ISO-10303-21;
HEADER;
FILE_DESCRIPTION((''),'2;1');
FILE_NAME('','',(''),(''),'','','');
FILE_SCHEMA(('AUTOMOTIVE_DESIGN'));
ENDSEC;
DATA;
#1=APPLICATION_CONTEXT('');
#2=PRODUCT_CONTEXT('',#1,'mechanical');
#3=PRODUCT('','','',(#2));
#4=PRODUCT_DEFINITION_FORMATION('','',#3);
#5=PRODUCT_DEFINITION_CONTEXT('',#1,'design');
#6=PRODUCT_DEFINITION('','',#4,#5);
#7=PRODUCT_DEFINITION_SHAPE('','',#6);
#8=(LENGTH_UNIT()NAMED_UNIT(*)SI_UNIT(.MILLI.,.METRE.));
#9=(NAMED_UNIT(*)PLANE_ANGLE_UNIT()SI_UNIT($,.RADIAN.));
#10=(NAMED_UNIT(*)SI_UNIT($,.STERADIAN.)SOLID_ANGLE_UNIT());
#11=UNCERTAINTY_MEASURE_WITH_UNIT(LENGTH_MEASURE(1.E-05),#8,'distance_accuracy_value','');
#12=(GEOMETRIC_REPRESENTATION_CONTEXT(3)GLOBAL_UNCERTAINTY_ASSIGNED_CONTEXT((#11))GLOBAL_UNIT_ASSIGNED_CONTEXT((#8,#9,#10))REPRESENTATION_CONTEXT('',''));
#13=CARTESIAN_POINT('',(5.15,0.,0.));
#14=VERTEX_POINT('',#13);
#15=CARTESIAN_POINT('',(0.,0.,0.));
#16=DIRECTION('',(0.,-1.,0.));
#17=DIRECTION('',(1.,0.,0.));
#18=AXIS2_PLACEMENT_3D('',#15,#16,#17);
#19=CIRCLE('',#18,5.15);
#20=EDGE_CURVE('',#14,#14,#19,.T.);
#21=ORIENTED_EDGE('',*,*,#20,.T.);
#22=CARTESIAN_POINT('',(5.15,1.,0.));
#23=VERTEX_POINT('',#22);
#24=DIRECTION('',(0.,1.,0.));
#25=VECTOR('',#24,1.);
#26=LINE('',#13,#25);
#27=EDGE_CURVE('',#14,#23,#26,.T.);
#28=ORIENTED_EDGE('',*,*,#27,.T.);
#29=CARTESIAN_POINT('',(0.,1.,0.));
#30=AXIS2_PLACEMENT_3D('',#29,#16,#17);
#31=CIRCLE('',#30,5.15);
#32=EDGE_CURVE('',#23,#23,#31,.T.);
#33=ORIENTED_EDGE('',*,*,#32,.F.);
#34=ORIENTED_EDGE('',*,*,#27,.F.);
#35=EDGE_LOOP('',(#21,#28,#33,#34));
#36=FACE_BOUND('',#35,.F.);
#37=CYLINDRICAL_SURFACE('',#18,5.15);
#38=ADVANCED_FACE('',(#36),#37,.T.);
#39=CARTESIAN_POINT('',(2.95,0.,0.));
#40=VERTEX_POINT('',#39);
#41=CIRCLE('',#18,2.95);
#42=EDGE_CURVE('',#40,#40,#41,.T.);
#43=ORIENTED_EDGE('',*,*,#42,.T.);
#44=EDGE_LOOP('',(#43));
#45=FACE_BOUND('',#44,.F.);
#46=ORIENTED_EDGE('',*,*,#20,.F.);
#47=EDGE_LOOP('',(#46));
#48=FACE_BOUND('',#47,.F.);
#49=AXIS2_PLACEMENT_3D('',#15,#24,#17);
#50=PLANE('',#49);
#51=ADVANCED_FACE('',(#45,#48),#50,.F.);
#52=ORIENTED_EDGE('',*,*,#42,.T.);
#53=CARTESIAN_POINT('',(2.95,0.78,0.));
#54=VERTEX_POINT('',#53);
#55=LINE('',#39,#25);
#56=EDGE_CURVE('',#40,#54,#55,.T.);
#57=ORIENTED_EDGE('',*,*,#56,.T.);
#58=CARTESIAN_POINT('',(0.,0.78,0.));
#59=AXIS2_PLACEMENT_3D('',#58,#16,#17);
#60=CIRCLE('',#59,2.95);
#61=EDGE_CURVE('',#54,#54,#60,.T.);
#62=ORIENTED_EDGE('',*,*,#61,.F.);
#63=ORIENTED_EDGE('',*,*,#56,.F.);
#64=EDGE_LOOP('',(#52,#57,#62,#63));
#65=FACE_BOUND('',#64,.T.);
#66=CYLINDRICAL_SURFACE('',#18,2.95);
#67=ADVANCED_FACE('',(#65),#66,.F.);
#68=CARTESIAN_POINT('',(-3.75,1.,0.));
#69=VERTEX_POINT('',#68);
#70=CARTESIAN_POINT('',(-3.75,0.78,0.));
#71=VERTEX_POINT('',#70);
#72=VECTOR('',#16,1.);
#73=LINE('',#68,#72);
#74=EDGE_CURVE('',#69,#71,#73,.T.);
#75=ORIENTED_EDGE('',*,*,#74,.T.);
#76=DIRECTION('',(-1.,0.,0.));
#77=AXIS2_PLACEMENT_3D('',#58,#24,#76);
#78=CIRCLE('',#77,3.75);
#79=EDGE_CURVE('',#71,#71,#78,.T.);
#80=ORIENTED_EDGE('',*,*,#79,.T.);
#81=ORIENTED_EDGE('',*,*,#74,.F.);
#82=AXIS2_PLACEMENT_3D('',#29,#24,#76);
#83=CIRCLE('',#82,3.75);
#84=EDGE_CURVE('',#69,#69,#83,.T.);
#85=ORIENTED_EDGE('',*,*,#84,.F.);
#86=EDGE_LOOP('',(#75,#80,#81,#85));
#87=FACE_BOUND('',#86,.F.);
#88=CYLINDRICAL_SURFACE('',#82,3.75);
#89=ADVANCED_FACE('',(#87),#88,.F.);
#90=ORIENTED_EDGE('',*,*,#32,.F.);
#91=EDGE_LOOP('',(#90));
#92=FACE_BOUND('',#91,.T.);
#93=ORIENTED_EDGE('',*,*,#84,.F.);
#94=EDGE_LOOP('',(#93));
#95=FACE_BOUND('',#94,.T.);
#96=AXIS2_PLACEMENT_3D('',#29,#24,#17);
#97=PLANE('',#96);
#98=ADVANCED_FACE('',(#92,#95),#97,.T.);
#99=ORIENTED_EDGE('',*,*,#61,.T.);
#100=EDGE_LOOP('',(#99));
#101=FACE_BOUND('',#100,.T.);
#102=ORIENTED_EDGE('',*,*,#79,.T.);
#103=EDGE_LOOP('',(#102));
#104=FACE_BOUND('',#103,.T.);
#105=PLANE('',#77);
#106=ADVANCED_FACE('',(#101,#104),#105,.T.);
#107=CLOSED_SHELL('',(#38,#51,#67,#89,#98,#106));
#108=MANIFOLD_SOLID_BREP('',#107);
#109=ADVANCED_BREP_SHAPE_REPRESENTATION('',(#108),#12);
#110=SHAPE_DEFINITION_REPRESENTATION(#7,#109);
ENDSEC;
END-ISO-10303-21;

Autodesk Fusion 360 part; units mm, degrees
sketch "Sketch1" plane through (0, 0, 0) normal (0, 1, 0) x (1, 0, 0)
  circle A0 centre (0, 0) radius 5
  circle A1 centre (0, 0) radius 2.5
  dimension "d1" = 10
  dimension "d2" = 5
sketch "Sketch2" plane through (0, 0, 0) normal (0, 1, 0) x (1, 0, 0)
  circle A0 centre (0, 0) radius 5
  circle A1 centre (0, 0) radius 4
  dimension "d5" = 10
  dimension "d6" = 8
sketch "Sketch3" plane through (0, 0, 0) normal (0, 1, 0) x (1, 0, 0)
  circle A0 centre (0, 0) radius 5.15
  circle A1 centre (0, 0) radius 2.85
  dimension "d9" = 10.3
  dimension "d10" = 5.7
extrude "Extrude3" add sketch "Sketch3" along normal blind 1
move_face "OffsetFaces1" offset -0.05 1 faces at (2.8465, 0.6667, 0.1421)
sketch "Sketch4" plane through (0, 1, 0) normal (0, 1, 0) x (-1, 0, 0)
  circle A0 centre (0, 0) radius 2.9
  circle A1 centre (0, 0) radius 5.15
  circle A2 centre (0, 0) radius 3.4
  dimension "d14" = 6.8
extrude "Extrude4" cut sketch "Sketch4" against normal blind 0.15 contours A2
move_face "OffsetFaces2" offset -0.1 1 faces at (2.8964, 0.5667, 0.1446)
move_face "OffsetFaces3" offset 0.05 1 faces at (2.9963, 0.2833, -0.1495)
move_face "OffsetFaces4" offset -0.07 1 faces at (-3.2264, 0.85, -0.3155)
move_face "OffsetFaces5" offset -0.05 1 faces at (-3.3958, 0.8533, -0.1695)
move_face "OffsetFaces6" offset -0.3 1 faces at (-3.4457, 0.8533, -0.172)
equation "d6 = 10 mm - 2 mm"
equation "d10 = 10.3 mm - ( 2.3 * 2 ) * 1 mm"
equation "d14 = 5.800 mm + 1 mm"
